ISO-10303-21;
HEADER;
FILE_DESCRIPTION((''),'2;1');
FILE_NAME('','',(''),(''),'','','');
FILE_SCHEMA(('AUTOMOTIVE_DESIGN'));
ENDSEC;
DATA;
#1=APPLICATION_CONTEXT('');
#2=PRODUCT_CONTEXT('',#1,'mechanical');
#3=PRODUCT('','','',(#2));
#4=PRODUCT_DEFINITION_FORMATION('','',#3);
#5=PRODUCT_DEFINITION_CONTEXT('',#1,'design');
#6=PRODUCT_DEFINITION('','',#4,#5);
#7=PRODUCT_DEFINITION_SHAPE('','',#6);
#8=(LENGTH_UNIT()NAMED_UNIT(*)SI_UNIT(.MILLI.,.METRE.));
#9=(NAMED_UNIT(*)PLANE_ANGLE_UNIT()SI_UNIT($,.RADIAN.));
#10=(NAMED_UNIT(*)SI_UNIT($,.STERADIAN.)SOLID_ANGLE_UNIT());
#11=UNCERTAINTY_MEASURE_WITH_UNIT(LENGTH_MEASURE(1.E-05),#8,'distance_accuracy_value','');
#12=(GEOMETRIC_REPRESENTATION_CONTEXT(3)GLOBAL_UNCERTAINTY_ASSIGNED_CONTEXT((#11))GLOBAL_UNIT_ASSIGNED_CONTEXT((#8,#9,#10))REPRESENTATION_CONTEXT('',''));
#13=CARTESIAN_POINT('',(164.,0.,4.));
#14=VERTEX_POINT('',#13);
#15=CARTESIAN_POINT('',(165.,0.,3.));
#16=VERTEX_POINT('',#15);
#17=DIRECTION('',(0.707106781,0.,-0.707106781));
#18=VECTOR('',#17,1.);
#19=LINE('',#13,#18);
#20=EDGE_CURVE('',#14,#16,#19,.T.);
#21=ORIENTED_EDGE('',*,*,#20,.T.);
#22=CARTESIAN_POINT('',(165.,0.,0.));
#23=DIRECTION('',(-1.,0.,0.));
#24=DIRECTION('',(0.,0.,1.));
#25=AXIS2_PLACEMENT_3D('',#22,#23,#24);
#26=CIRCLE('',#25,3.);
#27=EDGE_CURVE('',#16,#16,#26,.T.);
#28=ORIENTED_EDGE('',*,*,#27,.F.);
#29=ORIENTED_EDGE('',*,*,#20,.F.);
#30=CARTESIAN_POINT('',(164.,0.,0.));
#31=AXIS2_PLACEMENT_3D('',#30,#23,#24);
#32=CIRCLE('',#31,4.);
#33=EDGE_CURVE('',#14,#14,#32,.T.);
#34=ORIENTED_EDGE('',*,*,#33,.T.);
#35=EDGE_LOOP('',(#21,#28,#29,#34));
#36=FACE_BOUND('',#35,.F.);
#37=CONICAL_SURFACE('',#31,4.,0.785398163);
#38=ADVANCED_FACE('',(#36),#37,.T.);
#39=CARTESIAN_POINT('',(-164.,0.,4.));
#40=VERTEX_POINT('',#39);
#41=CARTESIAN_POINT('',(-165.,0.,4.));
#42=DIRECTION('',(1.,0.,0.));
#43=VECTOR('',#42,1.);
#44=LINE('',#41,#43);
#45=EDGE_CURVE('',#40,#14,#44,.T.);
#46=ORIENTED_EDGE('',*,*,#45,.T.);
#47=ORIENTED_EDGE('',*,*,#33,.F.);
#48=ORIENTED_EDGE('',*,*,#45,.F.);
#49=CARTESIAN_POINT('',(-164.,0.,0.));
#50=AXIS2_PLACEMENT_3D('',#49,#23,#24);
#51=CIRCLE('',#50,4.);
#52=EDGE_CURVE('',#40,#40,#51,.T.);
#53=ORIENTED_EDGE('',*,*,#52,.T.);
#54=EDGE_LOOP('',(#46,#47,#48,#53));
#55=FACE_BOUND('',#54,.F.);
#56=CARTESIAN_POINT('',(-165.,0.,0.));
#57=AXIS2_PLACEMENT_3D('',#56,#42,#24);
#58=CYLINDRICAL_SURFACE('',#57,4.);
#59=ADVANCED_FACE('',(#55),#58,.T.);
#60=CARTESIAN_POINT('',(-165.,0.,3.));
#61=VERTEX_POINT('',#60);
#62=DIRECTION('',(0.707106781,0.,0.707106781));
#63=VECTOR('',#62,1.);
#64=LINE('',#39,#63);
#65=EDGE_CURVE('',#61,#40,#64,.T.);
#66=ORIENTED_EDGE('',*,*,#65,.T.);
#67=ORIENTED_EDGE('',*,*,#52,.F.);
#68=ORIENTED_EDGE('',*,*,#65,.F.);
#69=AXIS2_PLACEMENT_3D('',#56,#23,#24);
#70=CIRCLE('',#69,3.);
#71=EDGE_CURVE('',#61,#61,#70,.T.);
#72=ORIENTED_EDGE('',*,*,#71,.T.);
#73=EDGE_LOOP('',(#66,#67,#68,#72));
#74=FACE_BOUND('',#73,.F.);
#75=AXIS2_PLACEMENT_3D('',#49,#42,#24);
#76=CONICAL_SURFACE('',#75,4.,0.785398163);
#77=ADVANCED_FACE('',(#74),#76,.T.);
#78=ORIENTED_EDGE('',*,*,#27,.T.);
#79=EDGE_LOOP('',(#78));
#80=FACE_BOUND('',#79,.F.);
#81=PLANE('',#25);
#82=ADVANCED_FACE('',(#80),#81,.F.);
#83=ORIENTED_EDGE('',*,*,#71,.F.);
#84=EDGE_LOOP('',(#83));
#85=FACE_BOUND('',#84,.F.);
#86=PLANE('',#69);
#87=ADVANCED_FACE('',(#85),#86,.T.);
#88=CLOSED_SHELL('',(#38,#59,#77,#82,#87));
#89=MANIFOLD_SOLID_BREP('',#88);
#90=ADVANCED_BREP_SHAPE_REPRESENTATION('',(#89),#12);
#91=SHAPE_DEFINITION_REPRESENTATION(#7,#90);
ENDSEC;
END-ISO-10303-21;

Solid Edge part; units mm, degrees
sketch "Sketch1" plane through (0, 0, 0) normal (0, -1, 0) x (1, 0, 0)
  line L0 (-165, 0) -> (-165, 4)
  line L1 (-165, 4) -> (165, 4)
  line L2 (165, 4) -> (165, 0)
  dimension "D1" = 330
revolve "RevolvedProtrusion1" add sketch "Sketch1" angle 360 about axis through (50, 0, 0) along (-1, 0, 0)
chamfer "Chamfer1" distance 1 angle 45 2 edges at (165, 0, -4) (-165, 0, -4)
cosmetic_thread "Thread1" size "Tr 8 x 2"
properties material "Stainless steel"
